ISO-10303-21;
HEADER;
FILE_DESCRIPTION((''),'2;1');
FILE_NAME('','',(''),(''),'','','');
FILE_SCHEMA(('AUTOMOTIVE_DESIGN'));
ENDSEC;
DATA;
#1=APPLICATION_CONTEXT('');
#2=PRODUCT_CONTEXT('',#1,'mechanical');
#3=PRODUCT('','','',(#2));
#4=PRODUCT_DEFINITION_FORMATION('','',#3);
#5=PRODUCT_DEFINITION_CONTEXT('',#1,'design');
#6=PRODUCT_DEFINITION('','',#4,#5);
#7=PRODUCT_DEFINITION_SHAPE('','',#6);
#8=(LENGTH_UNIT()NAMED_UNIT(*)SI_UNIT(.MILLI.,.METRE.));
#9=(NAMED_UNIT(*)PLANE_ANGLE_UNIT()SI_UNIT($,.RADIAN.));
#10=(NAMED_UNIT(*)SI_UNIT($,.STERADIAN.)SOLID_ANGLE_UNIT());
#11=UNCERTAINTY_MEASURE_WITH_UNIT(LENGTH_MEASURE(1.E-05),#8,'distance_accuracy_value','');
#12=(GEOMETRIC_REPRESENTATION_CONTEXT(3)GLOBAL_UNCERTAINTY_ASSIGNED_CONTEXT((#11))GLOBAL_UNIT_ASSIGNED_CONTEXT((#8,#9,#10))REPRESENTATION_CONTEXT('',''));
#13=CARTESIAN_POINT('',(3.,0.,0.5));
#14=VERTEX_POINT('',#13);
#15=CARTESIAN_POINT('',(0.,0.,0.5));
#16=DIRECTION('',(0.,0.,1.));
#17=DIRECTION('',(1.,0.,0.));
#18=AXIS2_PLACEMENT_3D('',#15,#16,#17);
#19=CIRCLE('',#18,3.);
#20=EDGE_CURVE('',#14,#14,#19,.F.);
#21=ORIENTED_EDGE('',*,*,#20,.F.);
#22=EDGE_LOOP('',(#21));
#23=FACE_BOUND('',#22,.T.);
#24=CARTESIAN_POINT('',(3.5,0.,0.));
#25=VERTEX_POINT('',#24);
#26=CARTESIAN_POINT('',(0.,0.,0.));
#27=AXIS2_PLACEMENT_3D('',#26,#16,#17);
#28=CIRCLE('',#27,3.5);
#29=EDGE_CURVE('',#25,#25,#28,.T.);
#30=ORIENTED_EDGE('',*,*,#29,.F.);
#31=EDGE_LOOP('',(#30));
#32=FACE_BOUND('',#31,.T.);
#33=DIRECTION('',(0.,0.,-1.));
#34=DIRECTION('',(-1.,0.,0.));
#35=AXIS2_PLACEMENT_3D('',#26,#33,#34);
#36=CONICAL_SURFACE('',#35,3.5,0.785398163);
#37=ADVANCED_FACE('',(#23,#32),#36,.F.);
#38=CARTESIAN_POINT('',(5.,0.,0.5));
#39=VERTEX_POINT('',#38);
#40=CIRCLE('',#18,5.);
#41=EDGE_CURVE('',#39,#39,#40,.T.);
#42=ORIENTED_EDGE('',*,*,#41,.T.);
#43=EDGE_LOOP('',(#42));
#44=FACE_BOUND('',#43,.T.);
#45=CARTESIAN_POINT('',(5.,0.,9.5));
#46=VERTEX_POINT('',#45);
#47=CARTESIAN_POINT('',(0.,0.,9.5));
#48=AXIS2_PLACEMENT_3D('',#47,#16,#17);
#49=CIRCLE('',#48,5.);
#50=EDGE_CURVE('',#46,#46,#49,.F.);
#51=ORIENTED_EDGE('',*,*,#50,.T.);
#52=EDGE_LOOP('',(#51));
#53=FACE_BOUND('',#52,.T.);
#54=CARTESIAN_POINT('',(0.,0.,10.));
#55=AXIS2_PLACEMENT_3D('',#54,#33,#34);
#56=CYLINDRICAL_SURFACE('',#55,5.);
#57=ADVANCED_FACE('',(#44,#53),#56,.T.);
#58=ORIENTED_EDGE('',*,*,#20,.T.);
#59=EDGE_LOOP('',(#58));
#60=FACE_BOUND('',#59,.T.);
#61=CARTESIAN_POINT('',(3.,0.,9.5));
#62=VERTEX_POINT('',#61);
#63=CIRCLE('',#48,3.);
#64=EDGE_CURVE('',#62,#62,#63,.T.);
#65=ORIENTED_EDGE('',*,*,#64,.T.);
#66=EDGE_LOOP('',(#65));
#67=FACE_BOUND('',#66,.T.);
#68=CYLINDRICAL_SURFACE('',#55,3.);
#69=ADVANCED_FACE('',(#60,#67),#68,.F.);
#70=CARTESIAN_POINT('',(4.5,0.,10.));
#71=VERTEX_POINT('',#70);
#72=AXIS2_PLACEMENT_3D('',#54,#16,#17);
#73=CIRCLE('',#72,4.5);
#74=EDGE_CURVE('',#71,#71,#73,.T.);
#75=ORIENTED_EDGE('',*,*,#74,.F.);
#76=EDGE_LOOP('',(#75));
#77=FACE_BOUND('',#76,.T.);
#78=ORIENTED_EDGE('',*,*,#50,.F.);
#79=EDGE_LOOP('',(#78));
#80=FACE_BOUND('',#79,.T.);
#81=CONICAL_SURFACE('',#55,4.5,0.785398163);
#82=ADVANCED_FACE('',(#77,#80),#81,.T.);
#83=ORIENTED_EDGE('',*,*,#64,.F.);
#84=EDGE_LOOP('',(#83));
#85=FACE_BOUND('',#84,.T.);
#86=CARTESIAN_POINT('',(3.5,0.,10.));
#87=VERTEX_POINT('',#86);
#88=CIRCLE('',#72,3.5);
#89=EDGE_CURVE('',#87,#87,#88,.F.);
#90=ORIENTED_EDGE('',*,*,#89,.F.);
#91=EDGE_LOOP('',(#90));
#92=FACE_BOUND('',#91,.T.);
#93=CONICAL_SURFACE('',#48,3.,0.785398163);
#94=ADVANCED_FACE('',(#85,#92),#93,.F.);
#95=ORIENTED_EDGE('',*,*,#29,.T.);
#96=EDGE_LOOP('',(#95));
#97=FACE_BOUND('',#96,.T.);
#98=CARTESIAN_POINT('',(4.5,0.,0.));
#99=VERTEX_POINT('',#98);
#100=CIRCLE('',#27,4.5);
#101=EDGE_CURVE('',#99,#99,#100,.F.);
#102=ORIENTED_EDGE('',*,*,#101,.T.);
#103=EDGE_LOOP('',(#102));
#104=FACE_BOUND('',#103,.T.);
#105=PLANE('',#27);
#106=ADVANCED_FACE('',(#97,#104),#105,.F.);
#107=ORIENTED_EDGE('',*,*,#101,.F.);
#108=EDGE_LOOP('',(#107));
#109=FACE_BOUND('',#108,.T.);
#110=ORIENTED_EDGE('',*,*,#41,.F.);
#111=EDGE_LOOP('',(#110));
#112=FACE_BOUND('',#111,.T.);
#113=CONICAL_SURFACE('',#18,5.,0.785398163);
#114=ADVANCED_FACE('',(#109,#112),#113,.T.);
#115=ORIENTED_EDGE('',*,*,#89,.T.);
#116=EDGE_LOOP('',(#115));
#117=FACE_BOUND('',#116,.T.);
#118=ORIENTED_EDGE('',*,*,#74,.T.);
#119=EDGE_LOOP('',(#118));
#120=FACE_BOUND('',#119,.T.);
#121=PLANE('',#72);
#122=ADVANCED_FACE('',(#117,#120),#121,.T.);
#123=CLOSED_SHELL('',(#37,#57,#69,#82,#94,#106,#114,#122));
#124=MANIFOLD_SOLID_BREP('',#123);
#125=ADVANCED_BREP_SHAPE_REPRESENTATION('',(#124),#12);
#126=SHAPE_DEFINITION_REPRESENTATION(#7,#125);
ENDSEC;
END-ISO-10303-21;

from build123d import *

# Parameters (mm, degrees)
SKETCH1_R           = 5
SKETCH1_R_2         = 3
BOSS_EXTRUDE1_DEPTH = 10
CHAMFER1_SIZE       = 0.5


with BuildPart() as part:
    # Sketch1 → Boss-Extrude1 (new body)
    with BuildSketch(Plane.XY):
        Circle(SKETCH1_R)
        Circle(SKETCH1_R_2, mode=Mode.SUBTRACT)
    extrude(amount=BOSS_EXTRUDE1_DEPTH)

    # Chamfer1
    chamfer1_edges = [part.edges().sort_by_distance(p)[0] for p in [
        (-5, 0, 0),
        (-5, 0, 10),
        (-3, 0, 0),
        (-3, 0, 10),
    ]]
    chamfer(chamfer1_edges, length=CHAMFER1_SIZE)


solid = part.part
